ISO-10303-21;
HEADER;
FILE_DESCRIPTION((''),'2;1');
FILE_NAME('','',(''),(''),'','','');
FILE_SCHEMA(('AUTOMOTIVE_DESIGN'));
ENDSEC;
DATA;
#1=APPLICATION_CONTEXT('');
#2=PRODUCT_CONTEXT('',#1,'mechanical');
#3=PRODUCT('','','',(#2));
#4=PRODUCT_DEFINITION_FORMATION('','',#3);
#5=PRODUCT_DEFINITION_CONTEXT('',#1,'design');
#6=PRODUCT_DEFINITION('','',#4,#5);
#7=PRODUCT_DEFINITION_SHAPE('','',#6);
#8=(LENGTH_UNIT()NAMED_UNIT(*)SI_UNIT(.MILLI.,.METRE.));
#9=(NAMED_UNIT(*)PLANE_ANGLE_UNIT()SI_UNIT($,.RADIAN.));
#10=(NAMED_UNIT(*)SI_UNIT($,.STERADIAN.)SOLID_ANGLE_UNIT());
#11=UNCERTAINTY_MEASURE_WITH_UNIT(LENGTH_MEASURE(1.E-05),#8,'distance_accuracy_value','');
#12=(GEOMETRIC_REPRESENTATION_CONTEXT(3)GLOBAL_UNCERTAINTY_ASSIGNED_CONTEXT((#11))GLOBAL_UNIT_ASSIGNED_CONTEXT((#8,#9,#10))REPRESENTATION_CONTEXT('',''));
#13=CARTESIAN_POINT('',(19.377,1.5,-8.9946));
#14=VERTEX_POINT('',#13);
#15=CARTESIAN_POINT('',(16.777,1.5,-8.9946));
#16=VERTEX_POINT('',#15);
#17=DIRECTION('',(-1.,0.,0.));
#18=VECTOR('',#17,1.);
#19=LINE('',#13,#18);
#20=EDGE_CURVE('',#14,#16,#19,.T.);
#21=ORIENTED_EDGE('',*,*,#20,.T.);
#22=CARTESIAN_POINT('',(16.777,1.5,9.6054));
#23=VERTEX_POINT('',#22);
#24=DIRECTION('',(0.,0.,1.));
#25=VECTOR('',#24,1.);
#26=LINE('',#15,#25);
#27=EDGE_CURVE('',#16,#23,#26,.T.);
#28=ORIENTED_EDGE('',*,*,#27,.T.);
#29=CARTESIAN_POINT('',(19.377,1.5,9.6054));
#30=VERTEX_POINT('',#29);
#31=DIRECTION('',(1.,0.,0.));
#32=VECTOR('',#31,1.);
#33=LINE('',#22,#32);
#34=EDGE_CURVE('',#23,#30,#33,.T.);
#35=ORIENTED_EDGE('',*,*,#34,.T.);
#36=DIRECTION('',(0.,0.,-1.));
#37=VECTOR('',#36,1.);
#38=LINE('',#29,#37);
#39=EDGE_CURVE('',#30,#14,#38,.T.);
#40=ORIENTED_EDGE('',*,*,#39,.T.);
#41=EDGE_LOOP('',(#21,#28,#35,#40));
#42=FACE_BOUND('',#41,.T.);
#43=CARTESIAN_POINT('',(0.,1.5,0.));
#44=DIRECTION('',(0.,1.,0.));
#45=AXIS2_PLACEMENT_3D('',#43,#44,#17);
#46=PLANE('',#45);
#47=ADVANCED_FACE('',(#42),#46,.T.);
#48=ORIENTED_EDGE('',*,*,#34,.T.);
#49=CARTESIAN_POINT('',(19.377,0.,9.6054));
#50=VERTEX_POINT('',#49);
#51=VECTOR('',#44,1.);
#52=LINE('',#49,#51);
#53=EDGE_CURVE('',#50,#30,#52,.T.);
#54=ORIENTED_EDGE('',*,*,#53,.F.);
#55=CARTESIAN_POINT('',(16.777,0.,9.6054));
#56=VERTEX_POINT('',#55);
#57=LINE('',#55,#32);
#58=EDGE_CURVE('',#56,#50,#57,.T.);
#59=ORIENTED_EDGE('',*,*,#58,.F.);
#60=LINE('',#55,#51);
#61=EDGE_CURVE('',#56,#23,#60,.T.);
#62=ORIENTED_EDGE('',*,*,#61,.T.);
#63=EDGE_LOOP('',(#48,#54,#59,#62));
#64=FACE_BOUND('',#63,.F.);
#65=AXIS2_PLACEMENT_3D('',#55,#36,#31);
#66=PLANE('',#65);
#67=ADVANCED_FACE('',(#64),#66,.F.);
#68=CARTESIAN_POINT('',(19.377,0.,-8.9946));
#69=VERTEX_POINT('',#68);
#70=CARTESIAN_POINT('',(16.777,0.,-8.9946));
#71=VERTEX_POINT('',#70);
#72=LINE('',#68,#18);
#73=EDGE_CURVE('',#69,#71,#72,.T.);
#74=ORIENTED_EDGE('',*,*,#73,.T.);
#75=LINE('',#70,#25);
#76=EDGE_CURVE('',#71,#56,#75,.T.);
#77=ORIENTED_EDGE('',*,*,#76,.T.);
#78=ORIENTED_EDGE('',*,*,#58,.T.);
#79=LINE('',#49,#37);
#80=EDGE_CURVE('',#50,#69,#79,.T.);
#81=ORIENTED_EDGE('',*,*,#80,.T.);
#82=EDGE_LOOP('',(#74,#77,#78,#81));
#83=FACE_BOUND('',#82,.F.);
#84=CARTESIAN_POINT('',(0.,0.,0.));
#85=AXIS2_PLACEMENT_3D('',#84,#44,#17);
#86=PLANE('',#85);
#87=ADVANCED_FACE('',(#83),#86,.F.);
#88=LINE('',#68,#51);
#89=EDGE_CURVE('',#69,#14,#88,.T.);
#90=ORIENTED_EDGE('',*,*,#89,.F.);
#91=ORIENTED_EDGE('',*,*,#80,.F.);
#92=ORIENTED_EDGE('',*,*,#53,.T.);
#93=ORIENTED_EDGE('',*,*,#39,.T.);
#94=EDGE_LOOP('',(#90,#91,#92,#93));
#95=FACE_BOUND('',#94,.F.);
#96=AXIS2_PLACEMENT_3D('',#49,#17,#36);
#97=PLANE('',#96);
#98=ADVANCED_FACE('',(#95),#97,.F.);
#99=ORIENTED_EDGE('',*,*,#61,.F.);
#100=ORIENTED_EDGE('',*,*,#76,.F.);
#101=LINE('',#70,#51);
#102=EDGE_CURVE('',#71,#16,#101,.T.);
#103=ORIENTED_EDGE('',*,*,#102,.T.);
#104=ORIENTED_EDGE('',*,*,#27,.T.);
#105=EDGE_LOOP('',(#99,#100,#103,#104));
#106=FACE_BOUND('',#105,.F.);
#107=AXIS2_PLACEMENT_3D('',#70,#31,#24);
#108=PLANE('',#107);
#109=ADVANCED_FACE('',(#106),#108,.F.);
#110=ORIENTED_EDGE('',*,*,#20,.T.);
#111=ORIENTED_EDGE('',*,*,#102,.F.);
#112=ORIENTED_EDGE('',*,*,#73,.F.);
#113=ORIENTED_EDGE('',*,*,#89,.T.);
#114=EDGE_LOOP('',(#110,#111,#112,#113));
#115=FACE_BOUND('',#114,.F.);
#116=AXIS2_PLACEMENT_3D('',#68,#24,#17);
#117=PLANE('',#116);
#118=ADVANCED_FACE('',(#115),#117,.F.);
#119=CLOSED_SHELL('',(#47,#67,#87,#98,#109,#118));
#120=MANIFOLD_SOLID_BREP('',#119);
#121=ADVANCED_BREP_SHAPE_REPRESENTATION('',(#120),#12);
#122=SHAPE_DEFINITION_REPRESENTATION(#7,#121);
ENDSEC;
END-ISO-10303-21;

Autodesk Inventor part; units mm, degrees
ref_plane "YZ Plane" through (0, 0, 0) normal (1, 0, 0) x (0, 1, 0)
ref_plane "XZ Plane" through (0, 0, 0) normal (0, 1, 0) x (-1, 0, 0)
ref_plane "XY Plane" through (0, 0, 0) normal (0, 0, 1) x (1, 0, 0)
sketch "スケッチ1" plane through (0, 0, 0) normal (0, 1, 0) x (-1, 0, 0)
  line L0 (-16.777, 9.6054) -> (-19.377, 9.6054)
  line L1 (-19.377, 9.6054) -> (-19.377, -8.9946)
  line L2 (-19.377, -8.9946) -> (-16.777, -8.9946)
  line L3 (-16.777, -8.9946) -> (-16.777, 9.6054)
  point P0 (0, 0)
  dimension "d0" = 2.6
  dimension "d1" = 18.6
extrude "押し出し1" add sketch "スケッチ1" along normal blind 1.5
properties part number "RectMiddleEyes"
